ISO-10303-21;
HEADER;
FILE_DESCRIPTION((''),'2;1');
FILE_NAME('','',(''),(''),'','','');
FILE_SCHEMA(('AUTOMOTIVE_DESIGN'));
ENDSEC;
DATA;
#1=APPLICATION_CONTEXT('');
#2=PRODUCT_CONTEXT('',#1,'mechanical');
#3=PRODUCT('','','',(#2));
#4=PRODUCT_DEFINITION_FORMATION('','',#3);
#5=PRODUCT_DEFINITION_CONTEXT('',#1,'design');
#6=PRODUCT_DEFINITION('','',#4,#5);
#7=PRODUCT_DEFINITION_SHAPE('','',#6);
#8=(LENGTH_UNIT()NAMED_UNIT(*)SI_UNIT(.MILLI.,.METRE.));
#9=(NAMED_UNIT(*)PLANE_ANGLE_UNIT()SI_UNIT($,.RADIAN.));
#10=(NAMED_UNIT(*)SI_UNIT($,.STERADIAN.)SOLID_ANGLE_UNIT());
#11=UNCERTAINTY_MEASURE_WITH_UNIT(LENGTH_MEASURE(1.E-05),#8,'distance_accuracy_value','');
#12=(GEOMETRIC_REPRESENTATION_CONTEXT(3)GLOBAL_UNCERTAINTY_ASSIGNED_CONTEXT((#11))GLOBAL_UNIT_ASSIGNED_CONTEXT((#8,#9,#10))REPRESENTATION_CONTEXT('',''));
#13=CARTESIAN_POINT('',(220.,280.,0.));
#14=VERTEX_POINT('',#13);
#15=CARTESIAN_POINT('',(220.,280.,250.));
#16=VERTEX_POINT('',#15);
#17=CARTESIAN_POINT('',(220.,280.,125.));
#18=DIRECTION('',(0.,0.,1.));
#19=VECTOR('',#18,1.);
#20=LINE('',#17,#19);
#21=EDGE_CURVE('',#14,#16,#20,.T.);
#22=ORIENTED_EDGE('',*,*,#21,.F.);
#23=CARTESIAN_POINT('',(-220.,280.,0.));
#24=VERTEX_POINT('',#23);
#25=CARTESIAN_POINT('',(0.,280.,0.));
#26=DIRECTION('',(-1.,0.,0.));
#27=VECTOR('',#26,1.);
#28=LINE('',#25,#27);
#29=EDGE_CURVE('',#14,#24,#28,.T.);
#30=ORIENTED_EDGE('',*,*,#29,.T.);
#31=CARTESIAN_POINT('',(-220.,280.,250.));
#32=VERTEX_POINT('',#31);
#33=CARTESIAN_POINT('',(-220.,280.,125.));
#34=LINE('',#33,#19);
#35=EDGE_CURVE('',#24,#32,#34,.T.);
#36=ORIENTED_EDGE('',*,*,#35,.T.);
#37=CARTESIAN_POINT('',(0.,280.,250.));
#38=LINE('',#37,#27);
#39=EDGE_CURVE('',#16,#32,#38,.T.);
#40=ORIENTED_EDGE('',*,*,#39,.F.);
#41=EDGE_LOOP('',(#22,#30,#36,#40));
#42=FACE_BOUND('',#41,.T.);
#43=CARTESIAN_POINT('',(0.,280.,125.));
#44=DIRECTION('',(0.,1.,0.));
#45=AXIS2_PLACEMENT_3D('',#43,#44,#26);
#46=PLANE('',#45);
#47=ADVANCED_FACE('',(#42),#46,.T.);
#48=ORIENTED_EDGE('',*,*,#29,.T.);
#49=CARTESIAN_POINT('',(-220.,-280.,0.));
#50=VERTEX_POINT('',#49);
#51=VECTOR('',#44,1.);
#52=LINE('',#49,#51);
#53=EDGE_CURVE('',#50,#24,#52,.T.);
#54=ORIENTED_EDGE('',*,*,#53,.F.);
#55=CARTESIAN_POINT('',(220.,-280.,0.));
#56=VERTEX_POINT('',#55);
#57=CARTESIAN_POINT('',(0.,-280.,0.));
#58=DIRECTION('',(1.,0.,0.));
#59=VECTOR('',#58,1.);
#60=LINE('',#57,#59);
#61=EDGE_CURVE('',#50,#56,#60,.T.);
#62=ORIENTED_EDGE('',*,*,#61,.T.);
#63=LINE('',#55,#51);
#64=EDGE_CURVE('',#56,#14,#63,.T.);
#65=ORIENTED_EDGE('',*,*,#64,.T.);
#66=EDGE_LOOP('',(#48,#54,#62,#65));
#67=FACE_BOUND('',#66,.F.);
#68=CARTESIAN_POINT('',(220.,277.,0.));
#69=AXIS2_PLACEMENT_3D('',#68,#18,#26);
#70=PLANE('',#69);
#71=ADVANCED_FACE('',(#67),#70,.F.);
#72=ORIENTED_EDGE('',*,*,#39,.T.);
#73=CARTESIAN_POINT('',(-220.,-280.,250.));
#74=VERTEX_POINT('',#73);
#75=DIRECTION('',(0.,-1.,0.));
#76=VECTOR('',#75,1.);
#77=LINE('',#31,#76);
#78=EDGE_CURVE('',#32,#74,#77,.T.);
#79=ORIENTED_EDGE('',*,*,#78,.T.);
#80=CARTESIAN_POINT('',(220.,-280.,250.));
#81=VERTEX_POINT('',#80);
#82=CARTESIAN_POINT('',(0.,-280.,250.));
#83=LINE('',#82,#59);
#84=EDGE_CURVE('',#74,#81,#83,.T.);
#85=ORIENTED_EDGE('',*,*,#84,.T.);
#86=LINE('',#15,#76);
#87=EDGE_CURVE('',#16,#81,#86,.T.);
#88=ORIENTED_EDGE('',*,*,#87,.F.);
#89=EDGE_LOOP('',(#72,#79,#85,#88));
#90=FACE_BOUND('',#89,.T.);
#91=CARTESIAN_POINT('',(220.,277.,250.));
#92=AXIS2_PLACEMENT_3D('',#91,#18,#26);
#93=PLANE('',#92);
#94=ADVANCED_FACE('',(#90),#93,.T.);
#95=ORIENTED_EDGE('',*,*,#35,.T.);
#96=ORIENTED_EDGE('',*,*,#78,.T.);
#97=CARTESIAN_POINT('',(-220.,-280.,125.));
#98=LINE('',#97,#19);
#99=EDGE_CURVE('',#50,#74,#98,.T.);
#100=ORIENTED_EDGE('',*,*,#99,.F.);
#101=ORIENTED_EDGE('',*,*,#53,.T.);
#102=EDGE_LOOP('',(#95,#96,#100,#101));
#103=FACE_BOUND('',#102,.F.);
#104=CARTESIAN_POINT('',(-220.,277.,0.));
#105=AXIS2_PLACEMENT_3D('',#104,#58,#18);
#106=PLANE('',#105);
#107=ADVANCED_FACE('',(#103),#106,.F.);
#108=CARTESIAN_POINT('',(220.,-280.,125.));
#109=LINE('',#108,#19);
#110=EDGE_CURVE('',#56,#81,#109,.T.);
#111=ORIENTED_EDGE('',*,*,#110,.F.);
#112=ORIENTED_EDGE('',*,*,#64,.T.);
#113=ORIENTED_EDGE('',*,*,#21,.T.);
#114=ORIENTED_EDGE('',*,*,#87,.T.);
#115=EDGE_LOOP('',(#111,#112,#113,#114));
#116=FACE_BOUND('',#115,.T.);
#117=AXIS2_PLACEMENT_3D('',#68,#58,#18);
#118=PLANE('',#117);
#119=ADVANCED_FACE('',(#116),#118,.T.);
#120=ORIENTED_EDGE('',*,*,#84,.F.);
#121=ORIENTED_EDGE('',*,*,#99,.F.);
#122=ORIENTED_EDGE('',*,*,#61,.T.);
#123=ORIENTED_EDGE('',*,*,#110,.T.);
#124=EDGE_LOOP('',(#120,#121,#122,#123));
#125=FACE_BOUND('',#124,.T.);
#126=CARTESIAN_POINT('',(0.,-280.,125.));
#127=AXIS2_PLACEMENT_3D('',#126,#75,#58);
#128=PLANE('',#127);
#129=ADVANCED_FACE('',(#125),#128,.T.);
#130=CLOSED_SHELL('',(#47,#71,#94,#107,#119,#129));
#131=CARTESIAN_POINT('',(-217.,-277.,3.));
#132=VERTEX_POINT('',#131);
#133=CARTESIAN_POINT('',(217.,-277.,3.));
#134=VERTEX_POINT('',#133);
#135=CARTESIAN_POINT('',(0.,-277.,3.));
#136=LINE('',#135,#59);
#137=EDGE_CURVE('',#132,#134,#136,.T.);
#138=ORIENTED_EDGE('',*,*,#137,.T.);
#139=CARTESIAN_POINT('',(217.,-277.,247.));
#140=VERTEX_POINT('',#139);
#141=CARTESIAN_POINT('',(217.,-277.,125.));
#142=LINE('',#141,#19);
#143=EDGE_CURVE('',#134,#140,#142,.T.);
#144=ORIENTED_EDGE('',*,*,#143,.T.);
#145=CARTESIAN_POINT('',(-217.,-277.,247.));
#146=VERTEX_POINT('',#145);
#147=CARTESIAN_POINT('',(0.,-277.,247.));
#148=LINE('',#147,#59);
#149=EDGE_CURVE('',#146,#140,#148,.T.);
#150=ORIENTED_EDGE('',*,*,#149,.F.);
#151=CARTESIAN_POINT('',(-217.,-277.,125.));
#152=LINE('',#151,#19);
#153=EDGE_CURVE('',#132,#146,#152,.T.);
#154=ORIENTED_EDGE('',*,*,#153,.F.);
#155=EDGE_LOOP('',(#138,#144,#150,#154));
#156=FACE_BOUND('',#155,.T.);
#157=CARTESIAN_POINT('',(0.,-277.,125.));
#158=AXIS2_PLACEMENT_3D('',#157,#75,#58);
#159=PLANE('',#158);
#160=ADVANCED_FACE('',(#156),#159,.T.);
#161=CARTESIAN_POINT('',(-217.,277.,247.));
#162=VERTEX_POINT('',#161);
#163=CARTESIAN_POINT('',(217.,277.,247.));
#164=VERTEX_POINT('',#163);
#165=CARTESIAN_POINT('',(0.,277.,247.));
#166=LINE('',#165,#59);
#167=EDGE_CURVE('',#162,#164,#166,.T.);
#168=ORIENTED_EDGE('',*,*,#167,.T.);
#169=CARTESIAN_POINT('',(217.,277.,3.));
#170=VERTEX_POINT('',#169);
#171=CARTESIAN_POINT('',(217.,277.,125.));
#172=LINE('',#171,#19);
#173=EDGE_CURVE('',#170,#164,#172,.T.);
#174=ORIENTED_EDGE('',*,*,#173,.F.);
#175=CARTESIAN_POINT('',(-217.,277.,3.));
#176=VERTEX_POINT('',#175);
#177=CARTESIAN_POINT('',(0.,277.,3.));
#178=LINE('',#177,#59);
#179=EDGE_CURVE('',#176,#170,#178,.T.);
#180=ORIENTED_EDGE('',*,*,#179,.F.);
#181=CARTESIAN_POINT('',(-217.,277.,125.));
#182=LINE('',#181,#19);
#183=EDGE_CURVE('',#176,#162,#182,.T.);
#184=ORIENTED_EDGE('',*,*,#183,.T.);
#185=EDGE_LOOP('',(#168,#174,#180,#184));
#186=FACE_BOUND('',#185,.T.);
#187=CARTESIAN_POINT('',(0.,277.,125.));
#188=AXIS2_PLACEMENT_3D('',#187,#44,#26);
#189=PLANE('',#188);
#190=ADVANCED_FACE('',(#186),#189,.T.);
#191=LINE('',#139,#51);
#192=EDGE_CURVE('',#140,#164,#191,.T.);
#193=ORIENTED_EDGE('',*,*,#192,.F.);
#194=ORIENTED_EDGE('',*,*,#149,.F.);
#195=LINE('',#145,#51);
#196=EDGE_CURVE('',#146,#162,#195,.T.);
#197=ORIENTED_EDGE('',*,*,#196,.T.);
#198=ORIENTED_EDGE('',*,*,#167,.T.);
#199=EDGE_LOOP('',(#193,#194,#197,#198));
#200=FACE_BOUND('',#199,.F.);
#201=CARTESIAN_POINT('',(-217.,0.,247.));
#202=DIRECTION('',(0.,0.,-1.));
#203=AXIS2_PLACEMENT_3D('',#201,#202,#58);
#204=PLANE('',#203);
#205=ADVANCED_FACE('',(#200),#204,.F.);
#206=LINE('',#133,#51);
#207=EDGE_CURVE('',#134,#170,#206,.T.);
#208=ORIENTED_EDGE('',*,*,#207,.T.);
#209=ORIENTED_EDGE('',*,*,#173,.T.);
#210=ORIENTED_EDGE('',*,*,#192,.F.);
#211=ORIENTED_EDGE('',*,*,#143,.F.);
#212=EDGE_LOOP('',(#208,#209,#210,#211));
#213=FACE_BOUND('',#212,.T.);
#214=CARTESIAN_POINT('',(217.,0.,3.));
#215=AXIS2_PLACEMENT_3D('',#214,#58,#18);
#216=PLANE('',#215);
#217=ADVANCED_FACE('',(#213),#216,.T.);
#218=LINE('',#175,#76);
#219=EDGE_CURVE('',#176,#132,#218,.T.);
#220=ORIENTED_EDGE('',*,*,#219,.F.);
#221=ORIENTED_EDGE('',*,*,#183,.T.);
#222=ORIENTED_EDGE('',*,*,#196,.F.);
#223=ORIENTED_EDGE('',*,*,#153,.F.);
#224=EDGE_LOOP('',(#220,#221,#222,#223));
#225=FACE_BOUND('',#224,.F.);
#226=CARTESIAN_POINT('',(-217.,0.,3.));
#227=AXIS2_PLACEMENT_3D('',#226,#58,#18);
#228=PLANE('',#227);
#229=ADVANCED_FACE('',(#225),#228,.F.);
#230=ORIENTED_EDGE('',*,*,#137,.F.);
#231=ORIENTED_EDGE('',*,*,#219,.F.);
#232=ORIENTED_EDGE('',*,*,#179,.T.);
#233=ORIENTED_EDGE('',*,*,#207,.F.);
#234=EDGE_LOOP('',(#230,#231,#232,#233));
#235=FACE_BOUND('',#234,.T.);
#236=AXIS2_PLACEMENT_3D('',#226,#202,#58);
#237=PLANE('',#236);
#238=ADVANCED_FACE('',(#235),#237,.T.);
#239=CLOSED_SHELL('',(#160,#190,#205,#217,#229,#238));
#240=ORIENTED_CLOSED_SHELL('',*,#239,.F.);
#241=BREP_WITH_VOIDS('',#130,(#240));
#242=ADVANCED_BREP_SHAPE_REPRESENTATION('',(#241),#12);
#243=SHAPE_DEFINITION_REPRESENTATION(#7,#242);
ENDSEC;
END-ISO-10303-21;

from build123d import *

# Parameters (mm, degrees)
F0_W     = 440
F0_H     = 250
F0_W_2   = 434
F0_H_2   = 244
F1_DEPTH = 277
F2_W     = 440
F2_H     = 250
F3_DEPTH = 3
F4_W     = 440
F4_H     = 250
F5_DEPTH = 3


with BuildPart() as f1:
    # F0 (on Front) → F1 (new body, symmetric)
    with BuildSketch(Plane.XZ):
        with Locations((0, 125)):
            Rectangle(F0_W, F0_H)
        with Locations((0, 125)):
            Rectangle(F0_W_2, F0_H_2, mode=Mode.SUBTRACT)
    extrude(amount=F1_DEPTH, both=True)

    # F2 (on face) → F3 (join)
    with BuildSketch(Plane.XZ.offset(277)):
        with Locations((0, 125)):
            Rectangle(F2_W, F2_H)
    extrude(amount=F3_DEPTH)

    # F4 (on face) → F5 (join)
    with BuildSketch(Plane(origin=(0, 277, 0), x_dir=(-1, 0, 0), z_dir=(0, 1, 0))):
        with Locations((0, 125)):
            Rectangle(F4_W, F4_H)
    extrude(amount=F5_DEPTH)


solid = f1.part
